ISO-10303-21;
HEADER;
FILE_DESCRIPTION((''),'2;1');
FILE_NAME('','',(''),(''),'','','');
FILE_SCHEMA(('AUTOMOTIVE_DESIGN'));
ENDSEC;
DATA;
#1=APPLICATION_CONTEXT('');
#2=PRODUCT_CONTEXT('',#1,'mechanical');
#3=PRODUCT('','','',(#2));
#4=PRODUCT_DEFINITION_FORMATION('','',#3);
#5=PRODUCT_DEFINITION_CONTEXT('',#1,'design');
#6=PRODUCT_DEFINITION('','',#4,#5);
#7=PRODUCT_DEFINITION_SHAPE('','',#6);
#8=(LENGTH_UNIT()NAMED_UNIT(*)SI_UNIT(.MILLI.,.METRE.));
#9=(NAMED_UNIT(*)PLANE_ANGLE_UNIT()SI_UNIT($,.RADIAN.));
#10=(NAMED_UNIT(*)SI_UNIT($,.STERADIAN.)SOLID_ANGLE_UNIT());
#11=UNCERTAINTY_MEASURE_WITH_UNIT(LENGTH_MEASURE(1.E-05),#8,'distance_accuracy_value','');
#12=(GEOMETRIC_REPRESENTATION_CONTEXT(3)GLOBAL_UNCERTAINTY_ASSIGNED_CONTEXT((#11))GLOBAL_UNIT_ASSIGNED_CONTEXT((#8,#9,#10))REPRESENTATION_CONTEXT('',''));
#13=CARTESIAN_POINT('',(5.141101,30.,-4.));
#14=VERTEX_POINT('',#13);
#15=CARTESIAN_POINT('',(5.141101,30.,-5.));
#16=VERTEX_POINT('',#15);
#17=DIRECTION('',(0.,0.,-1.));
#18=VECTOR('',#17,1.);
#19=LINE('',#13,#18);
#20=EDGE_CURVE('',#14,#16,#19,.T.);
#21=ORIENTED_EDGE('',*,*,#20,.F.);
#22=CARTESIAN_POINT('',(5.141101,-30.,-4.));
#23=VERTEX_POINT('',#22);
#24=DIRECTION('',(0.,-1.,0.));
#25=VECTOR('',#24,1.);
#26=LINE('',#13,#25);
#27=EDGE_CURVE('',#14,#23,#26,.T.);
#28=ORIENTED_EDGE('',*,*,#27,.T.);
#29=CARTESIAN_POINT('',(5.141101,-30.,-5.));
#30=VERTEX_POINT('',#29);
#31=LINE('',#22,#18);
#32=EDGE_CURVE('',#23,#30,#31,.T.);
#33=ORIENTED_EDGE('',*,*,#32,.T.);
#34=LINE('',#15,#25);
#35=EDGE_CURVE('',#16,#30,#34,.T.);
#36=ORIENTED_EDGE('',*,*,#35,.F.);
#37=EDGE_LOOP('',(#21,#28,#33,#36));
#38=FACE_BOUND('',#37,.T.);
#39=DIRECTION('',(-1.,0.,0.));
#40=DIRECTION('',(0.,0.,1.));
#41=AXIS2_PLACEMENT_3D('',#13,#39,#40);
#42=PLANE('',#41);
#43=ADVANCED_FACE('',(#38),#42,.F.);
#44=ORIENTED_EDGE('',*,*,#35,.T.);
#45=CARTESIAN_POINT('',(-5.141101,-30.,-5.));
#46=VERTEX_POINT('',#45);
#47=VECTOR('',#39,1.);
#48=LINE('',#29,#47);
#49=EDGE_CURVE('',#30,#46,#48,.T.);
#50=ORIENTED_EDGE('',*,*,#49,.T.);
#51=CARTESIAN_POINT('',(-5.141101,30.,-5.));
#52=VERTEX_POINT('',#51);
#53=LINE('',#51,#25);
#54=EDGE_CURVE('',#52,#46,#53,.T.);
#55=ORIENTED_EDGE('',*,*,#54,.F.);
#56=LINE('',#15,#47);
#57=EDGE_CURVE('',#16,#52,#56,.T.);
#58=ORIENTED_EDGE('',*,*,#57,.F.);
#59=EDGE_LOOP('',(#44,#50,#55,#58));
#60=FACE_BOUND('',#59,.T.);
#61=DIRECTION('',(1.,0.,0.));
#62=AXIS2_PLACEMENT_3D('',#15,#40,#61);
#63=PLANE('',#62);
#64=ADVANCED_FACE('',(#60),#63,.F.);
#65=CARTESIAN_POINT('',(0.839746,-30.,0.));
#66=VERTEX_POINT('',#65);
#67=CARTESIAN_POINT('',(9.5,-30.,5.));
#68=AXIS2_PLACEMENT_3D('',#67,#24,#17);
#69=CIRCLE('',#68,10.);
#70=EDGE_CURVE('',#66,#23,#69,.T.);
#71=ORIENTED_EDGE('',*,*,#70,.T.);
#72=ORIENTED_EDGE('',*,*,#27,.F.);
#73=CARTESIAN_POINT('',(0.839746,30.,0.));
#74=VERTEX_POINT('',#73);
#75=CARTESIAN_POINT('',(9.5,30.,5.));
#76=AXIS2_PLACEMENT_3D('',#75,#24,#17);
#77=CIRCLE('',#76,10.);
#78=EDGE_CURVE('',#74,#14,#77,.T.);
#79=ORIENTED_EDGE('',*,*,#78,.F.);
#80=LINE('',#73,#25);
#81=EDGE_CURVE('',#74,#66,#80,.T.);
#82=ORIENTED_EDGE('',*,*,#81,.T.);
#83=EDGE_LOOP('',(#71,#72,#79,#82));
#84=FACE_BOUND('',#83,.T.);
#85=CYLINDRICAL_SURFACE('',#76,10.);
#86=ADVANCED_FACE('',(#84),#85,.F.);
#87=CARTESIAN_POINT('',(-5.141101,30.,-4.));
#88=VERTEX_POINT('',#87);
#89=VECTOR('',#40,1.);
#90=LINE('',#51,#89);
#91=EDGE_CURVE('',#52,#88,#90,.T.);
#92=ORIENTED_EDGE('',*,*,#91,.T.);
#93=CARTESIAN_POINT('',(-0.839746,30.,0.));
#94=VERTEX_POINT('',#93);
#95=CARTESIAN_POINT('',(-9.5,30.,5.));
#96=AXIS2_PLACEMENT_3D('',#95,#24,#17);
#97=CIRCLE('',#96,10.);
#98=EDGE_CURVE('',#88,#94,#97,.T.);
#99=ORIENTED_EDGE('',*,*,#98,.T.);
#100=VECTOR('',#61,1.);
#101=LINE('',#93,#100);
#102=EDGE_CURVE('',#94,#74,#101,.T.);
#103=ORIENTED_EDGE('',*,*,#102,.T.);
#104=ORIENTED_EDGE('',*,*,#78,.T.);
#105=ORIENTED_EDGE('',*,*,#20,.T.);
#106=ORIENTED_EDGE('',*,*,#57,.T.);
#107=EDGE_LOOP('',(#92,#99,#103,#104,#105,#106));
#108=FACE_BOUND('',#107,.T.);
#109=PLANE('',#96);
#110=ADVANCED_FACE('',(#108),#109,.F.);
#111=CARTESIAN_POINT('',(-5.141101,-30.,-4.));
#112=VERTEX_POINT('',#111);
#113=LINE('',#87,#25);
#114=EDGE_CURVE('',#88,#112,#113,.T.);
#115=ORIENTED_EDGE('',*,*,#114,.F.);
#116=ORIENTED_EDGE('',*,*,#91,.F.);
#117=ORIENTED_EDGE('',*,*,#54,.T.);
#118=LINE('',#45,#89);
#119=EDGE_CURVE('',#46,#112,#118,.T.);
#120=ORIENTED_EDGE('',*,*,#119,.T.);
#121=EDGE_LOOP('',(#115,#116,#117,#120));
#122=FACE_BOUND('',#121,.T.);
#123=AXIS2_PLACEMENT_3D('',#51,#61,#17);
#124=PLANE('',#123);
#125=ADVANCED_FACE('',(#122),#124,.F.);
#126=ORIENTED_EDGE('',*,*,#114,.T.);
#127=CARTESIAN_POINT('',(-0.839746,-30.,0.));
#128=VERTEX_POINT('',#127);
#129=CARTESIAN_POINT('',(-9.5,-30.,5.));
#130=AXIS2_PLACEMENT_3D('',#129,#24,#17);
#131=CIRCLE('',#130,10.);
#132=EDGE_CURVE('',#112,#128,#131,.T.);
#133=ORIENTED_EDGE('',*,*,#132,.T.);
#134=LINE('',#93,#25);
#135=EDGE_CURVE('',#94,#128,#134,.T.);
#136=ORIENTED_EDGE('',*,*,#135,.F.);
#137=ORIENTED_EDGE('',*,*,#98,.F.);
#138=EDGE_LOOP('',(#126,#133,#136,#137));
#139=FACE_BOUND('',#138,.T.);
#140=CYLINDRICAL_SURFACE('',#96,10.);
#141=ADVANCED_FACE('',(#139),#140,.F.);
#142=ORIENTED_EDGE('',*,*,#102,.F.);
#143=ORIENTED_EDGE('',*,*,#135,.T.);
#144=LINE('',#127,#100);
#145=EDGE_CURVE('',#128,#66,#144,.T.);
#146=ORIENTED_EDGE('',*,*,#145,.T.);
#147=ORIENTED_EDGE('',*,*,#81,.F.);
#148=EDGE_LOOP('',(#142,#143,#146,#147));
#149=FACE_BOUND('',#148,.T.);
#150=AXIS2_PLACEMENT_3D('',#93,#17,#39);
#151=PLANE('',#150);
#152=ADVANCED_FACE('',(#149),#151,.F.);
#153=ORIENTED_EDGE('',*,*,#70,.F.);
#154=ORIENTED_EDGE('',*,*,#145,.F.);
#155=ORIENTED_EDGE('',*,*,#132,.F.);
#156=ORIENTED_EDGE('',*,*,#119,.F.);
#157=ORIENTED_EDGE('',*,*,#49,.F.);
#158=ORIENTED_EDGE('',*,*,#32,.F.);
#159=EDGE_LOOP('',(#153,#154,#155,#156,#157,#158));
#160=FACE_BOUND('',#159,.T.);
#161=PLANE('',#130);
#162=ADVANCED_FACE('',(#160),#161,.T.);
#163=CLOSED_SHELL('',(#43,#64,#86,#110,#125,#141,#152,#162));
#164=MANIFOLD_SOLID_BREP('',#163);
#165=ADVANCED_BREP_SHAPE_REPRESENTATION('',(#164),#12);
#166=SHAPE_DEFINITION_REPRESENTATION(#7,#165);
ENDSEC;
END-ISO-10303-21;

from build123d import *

# Parameters (mm, degrees)
BOSS_EXTRUDE1_DEPTH = 30


with BuildPart() as part:
    # Sketch1 → Boss-Extrude1 (new, symmetric)
    with BuildSketch(Plane(origin=(0, 0, 0), x_dir=(1, 0, 0), z_dir=(0, 1, 0))):
        with BuildLine():
            Line((-0.839745962, 0), (0.839745962, 0))
            ThreePointArc((0.839745962, 0), (2.690111154, 2.322937519), (5.141101056, 4))
            Line((5.141101056, 4), (5.141101056, 5))
            Line((5.141101056, 5), (-5.141101056, 5))
            Line((-5.141101056, 5), (-5.141101056, 4))
            ThreePointArc((-5.141101056, 4), (-2.690111154, 2.322937519), (-0.839745962, 0))
        make_face()
    extrude(amount=BOSS_EXTRUDE1_DEPTH, both=True)


solid = part.part
